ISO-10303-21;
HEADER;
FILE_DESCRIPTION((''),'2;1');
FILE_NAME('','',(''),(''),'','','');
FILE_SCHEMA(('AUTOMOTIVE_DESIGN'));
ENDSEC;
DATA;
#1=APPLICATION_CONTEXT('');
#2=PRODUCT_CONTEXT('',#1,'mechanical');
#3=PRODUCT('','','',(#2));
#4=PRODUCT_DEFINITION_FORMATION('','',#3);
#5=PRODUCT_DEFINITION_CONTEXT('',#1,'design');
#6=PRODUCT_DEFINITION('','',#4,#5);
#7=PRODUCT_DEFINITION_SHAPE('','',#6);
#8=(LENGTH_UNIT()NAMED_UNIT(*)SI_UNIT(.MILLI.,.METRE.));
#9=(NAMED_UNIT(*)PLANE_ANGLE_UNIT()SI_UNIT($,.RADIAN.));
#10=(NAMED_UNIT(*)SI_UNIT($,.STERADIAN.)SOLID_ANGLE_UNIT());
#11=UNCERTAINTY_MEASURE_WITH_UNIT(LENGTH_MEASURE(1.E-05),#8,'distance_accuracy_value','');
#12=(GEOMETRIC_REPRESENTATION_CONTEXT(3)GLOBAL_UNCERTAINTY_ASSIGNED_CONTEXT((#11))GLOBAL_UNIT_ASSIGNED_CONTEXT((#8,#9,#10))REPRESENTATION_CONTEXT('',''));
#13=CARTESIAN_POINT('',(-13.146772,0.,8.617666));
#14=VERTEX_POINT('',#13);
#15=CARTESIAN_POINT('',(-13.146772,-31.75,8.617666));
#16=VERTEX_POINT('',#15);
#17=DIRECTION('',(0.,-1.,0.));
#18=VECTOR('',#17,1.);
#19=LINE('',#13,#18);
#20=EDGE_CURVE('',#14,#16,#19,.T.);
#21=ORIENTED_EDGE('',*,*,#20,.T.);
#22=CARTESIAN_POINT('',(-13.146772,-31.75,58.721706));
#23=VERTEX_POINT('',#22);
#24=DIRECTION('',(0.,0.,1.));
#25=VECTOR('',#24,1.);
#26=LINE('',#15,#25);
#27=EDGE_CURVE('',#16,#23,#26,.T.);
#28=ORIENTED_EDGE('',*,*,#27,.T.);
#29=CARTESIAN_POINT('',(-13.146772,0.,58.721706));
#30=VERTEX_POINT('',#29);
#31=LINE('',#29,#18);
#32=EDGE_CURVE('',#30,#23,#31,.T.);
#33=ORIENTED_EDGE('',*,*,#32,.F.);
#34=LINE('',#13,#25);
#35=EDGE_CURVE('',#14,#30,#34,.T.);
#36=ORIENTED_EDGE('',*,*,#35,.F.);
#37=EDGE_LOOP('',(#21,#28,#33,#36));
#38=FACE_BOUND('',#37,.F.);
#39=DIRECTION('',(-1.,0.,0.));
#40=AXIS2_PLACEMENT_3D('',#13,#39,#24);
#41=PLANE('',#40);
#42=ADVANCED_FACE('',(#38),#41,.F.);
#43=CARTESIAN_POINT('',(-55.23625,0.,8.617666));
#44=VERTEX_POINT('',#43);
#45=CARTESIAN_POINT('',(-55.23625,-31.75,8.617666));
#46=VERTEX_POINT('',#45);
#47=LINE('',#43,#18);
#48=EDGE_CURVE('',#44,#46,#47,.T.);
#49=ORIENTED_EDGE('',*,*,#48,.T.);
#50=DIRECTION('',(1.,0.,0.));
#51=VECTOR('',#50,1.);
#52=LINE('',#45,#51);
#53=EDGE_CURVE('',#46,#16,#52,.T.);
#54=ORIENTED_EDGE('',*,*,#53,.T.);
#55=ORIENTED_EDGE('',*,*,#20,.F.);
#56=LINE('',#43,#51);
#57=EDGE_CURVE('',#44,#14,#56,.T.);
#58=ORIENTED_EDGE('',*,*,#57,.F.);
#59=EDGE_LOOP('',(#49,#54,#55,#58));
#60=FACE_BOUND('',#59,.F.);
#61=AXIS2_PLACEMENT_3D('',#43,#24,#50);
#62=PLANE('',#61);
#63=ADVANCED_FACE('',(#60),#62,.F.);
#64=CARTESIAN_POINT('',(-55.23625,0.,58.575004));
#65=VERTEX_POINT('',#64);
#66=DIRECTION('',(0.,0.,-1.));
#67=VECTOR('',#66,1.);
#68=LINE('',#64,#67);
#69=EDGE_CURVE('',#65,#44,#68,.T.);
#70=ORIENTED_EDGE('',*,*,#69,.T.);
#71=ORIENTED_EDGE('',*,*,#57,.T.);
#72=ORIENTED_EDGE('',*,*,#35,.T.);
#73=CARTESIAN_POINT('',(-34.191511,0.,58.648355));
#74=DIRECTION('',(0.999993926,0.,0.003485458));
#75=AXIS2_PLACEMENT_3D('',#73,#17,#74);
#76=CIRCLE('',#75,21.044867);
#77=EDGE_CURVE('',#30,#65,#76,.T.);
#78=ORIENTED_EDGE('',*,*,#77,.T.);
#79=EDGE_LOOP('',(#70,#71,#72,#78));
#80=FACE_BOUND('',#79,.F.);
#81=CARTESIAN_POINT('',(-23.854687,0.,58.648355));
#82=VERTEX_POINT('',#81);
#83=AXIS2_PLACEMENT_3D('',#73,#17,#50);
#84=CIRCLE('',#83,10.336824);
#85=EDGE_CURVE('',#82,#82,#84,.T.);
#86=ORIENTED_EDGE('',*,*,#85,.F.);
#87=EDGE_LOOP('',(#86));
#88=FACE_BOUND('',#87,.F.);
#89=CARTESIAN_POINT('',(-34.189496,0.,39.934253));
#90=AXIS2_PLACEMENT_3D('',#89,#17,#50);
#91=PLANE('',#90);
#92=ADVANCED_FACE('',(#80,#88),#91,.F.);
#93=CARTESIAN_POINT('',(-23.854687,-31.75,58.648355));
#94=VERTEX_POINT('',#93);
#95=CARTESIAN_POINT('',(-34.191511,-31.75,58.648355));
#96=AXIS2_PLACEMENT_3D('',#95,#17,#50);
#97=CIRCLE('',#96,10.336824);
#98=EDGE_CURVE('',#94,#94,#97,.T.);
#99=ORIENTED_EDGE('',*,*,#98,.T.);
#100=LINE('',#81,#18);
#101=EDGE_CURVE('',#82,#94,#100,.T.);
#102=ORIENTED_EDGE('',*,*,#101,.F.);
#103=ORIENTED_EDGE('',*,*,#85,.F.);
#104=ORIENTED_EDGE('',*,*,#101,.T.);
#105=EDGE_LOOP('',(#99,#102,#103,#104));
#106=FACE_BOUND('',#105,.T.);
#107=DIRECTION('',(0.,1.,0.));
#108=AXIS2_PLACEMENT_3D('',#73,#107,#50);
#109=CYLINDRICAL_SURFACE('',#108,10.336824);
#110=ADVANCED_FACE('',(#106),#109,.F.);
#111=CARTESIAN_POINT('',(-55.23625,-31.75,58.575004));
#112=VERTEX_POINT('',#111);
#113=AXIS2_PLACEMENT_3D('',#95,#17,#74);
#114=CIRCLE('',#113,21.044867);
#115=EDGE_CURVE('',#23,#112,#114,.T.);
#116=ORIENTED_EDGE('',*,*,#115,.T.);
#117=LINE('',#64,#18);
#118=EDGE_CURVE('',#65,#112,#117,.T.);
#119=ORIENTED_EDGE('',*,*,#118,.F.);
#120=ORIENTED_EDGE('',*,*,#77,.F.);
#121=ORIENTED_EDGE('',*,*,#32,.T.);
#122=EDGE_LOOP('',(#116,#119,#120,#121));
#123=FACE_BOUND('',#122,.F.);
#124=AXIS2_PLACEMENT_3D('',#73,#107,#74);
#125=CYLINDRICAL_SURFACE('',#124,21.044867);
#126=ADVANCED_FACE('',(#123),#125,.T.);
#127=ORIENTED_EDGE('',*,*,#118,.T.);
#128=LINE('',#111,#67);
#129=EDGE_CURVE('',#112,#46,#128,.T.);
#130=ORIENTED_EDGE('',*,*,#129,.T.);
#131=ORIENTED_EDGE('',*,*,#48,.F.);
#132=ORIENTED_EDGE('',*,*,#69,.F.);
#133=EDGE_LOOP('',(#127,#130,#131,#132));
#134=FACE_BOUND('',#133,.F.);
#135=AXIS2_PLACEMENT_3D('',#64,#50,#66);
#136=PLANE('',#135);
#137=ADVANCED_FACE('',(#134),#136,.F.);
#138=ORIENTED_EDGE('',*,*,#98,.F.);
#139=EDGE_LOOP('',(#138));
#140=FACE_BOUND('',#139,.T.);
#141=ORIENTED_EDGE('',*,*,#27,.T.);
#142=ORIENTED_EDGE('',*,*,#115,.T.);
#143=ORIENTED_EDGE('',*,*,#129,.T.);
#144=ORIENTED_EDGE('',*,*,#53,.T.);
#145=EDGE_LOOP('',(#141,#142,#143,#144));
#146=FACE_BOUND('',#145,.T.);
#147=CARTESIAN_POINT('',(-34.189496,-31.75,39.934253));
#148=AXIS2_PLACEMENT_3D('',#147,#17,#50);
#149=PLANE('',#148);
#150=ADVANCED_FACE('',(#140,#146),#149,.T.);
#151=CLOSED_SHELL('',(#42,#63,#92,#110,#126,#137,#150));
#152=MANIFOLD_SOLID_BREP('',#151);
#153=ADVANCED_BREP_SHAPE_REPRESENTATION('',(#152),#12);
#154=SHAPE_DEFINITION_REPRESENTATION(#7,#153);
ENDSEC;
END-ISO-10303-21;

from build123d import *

# Parameters (mm, degrees)
F0_R     = 10.336824
F1_DEPTH = 31.75


with BuildPart() as f1:
    # F0 (on Front) → F1 (new body)
    with BuildSketch(Plane.XZ):
        with BuildLine():
            ThreePointArc((-13.146772, 58.721706), (-34.264862, 79.693094), (-55.23625, 58.575004))
            Line((-55.23625, 58.575004), (-55.23625, 8.617666))
            Line((-55.23625, 8.617666), (-13.146772, 8.617666))
            Line((-13.146772, 8.617666), (-13.146772, 58.721706))
        make_face()
        with Locations((-34.191511, 58.648355)):
            Circle(F0_R, mode=Mode.SUBTRACT)
    extrude(amount=F1_DEPTH)


solid = f1.part
